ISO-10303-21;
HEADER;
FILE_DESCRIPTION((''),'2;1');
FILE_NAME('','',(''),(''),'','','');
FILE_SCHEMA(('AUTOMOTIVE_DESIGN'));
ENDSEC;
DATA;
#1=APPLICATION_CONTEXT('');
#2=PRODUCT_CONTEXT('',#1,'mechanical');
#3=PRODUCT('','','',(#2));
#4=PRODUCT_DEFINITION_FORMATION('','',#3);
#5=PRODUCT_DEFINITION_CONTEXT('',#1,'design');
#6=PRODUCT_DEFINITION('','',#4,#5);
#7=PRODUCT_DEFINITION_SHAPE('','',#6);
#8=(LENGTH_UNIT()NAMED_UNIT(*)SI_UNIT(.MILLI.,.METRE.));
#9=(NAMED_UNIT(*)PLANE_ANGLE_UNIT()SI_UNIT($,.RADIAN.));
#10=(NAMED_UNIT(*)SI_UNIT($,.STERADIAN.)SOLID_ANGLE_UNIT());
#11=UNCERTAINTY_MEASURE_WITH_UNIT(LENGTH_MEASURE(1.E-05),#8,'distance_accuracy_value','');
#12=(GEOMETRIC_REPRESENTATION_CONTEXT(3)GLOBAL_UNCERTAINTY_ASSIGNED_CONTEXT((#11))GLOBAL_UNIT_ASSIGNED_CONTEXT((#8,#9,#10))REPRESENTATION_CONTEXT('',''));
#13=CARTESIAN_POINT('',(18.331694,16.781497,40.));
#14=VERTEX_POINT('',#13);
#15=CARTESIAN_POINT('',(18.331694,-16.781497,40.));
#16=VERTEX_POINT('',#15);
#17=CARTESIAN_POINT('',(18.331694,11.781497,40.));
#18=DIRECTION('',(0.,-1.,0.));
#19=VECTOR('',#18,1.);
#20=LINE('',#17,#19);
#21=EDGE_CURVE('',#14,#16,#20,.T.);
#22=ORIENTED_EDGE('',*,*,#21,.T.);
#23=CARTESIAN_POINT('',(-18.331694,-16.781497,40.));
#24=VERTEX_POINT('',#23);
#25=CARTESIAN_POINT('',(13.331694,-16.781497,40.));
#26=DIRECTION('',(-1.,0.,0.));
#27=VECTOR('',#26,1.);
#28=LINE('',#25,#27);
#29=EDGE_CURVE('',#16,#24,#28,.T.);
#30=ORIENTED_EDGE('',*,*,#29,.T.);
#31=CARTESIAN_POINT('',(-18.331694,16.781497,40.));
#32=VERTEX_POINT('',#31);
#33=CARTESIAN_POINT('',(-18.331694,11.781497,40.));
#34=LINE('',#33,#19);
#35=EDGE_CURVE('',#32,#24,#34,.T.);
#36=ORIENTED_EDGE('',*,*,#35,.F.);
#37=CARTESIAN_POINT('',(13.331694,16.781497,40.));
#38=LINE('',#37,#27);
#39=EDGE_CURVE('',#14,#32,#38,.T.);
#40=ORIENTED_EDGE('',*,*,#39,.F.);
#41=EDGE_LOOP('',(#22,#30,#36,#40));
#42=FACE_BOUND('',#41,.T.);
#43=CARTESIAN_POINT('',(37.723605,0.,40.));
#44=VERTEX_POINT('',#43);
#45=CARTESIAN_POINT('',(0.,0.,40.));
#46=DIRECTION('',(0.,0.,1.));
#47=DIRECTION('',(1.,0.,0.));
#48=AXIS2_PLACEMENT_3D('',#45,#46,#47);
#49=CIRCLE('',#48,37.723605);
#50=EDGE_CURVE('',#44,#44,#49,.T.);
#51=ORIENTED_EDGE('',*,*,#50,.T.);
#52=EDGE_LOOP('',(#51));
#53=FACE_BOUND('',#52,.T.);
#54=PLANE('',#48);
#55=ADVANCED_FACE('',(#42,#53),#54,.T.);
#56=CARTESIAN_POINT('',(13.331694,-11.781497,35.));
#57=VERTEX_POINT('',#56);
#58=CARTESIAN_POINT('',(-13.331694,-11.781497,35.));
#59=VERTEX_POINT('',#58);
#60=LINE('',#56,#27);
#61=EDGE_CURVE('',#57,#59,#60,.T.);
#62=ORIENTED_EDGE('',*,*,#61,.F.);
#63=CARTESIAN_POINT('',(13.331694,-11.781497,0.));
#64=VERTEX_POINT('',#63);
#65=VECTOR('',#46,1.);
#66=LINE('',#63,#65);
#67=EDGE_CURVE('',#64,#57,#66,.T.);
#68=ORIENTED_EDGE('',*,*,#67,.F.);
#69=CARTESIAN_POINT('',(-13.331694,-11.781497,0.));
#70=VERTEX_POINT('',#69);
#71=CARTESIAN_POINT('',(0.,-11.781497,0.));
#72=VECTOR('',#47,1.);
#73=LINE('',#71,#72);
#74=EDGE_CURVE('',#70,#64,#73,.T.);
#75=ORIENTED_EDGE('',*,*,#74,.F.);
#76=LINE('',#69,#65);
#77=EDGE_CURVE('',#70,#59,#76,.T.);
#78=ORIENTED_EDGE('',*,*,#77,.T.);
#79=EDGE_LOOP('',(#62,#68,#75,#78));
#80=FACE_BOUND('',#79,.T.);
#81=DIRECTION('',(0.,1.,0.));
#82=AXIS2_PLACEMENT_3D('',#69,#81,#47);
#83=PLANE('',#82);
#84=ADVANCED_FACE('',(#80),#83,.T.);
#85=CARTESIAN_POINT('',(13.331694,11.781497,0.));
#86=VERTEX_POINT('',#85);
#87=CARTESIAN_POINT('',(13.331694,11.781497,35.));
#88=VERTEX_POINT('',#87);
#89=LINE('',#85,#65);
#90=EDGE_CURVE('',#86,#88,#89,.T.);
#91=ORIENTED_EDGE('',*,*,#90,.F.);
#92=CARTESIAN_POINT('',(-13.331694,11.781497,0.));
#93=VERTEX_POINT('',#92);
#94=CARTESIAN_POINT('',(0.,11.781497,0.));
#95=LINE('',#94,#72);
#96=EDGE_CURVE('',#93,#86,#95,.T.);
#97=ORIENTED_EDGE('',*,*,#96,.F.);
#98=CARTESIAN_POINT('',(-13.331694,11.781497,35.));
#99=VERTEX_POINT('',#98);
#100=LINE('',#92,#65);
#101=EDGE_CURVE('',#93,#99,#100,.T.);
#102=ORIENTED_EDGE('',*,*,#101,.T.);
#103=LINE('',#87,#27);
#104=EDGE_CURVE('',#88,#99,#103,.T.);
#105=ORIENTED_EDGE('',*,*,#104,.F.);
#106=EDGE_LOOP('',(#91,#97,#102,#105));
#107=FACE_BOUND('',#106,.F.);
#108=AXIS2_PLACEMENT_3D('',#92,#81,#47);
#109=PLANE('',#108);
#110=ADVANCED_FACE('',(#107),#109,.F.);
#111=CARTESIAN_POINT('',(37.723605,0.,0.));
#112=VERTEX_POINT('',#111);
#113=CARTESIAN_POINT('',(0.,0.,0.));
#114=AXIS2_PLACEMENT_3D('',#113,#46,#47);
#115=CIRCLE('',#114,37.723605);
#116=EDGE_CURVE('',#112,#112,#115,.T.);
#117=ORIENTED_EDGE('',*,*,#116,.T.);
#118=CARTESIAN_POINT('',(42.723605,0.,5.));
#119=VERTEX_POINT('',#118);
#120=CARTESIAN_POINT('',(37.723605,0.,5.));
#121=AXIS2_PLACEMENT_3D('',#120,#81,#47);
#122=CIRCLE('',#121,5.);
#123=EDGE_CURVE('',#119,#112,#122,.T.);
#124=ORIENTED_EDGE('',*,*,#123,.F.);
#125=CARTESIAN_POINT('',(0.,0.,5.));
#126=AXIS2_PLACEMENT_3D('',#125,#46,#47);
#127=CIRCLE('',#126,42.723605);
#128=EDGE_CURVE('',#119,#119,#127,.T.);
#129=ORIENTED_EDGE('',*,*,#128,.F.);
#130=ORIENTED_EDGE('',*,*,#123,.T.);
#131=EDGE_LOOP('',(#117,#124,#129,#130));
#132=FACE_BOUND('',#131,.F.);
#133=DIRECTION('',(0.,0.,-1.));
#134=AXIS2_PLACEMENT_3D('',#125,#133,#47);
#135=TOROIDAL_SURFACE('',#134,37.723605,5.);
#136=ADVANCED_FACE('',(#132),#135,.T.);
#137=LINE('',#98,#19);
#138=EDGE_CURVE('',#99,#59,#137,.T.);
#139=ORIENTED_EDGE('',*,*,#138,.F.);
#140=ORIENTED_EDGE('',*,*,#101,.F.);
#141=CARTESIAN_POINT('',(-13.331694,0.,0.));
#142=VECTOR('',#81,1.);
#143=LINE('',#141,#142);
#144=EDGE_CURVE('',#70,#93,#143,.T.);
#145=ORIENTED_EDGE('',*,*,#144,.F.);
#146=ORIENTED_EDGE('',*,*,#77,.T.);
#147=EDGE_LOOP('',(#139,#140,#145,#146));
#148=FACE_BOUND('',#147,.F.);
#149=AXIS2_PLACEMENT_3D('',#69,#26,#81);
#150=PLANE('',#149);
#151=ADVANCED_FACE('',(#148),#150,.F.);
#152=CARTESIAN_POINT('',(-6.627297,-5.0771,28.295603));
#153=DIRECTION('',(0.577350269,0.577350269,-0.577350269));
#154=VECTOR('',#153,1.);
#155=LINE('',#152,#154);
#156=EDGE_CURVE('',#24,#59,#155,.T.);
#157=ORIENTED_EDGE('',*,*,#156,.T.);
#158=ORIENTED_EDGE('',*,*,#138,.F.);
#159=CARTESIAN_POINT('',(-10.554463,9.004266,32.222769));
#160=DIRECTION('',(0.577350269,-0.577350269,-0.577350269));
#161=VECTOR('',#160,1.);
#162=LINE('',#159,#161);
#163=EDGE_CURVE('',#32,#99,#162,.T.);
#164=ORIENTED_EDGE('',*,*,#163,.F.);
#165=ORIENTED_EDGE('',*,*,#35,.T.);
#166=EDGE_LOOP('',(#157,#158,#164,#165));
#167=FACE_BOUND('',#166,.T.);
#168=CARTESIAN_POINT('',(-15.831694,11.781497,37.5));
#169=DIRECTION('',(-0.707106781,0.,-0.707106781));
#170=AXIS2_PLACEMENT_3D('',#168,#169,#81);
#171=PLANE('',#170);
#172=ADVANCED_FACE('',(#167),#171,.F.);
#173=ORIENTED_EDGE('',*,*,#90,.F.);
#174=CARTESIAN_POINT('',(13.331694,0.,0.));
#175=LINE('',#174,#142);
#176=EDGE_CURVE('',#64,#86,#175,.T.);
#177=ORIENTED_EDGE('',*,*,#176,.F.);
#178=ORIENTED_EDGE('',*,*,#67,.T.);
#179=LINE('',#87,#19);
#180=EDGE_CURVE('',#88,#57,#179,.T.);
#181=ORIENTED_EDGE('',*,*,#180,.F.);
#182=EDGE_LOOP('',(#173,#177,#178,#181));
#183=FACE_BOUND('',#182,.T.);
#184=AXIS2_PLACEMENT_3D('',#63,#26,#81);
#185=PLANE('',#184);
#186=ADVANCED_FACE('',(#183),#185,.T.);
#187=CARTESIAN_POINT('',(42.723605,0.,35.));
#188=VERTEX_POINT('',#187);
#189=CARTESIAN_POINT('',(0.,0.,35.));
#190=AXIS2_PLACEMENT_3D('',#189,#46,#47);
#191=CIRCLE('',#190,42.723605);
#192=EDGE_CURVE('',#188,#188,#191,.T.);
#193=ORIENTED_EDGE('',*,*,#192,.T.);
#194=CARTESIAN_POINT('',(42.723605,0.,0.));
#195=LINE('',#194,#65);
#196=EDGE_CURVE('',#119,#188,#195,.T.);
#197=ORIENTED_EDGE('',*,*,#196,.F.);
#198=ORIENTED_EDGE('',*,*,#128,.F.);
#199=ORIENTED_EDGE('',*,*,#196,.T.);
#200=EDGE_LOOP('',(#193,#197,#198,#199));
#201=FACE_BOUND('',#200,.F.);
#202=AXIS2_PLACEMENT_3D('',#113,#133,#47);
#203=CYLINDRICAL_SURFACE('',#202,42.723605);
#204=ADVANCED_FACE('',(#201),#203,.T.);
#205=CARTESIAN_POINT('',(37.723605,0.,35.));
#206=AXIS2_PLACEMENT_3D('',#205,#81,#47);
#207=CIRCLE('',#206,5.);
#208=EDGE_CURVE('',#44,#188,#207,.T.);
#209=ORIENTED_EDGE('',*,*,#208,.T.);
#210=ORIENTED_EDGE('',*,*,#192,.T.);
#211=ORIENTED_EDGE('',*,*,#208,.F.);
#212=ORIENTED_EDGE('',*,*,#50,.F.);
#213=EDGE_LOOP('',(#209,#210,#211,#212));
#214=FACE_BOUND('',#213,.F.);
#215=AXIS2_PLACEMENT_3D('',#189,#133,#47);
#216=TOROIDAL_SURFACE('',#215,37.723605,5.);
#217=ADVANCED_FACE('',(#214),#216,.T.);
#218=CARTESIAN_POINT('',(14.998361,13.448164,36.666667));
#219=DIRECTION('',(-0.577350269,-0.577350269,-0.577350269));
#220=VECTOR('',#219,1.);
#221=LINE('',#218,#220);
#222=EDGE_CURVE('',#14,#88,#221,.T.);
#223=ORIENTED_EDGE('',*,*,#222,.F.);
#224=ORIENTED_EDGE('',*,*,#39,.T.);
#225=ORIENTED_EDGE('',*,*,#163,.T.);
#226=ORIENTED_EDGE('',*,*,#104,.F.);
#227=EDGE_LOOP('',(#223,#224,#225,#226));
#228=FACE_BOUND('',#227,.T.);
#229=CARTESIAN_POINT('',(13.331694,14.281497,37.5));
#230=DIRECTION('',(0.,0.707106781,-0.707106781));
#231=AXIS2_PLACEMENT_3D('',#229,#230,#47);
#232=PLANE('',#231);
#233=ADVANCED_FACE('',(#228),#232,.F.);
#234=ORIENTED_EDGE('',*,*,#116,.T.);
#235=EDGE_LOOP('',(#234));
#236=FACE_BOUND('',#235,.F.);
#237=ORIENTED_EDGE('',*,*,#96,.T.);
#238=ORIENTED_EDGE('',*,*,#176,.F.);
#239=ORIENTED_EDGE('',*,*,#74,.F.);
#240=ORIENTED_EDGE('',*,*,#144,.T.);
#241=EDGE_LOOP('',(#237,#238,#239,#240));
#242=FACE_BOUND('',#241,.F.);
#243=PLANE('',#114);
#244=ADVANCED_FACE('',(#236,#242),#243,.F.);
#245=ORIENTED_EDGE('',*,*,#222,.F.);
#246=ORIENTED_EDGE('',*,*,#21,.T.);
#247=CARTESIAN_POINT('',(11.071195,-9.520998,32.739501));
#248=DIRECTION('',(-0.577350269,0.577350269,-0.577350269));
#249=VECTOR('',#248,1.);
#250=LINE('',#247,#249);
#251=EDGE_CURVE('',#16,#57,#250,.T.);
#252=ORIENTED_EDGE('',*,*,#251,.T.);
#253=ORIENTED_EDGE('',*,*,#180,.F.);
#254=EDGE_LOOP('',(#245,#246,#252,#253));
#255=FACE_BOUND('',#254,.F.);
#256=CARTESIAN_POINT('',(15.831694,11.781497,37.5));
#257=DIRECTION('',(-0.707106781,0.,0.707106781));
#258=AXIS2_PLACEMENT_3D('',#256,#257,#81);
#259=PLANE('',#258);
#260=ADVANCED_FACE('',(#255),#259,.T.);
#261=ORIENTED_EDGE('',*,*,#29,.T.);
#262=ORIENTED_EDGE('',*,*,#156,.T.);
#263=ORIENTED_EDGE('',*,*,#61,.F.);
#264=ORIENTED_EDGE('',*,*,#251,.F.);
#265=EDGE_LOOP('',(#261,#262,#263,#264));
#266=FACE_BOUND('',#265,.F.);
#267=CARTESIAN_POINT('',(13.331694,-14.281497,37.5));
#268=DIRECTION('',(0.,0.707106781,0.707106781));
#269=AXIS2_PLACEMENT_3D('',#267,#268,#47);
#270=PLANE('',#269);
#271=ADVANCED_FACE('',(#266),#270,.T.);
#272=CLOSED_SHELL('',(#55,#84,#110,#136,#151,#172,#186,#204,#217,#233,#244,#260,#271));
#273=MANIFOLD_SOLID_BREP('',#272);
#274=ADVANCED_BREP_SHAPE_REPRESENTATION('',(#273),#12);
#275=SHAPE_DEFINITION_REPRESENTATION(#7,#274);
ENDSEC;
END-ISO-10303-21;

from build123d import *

# Parameters (mm, degrees)
F0_R     = 42.723605
F1_DEPTH = 40
F2_W     = 26.663388
F2_H     = 23.562994
F3_DEPTH = 40.001
F4_SIZE  = 5
F5_R     = 5
F6_R     = 5


with BuildPart() as f1:
    # F0 (on Top) → F1 (new body)
    with BuildSketch(Plane.XY):
        Circle(F0_R)
    extrude(amount=F1_DEPTH)

    # F2 (on Top) → F3 (cut, through all)
    with BuildSketch(Plane.XY):
        Rectangle(F2_W, F2_H)
    extrude(amount=F3_DEPTH, mode=Mode.SUBTRACT)

    # F4
    f4_edges = [f1.edges().sort_by_distance(p)[0] for p in [
        (0, 11.781497, 40),
        (13.331694, 0, 40),
        (-13.331694, 0, 40),
        (0, -11.781497, 40),
    ]]
    chamfer(f4_edges, length=F4_SIZE)

    # F5
    f5_edges = [f1.edges().sort_by_distance(p)[0] for p in [
        (-42.723605, 0, 40),
    ]]
    fillet(f5_edges, radius=F5_R)

    # F6
    f6_edges = [f1.edges().sort_by_distance(p)[0] for p in [
        (-42.723605, 0, 0),
    ]]
    fillet(f6_edges, radius=F6_R)


solid = f1.part
